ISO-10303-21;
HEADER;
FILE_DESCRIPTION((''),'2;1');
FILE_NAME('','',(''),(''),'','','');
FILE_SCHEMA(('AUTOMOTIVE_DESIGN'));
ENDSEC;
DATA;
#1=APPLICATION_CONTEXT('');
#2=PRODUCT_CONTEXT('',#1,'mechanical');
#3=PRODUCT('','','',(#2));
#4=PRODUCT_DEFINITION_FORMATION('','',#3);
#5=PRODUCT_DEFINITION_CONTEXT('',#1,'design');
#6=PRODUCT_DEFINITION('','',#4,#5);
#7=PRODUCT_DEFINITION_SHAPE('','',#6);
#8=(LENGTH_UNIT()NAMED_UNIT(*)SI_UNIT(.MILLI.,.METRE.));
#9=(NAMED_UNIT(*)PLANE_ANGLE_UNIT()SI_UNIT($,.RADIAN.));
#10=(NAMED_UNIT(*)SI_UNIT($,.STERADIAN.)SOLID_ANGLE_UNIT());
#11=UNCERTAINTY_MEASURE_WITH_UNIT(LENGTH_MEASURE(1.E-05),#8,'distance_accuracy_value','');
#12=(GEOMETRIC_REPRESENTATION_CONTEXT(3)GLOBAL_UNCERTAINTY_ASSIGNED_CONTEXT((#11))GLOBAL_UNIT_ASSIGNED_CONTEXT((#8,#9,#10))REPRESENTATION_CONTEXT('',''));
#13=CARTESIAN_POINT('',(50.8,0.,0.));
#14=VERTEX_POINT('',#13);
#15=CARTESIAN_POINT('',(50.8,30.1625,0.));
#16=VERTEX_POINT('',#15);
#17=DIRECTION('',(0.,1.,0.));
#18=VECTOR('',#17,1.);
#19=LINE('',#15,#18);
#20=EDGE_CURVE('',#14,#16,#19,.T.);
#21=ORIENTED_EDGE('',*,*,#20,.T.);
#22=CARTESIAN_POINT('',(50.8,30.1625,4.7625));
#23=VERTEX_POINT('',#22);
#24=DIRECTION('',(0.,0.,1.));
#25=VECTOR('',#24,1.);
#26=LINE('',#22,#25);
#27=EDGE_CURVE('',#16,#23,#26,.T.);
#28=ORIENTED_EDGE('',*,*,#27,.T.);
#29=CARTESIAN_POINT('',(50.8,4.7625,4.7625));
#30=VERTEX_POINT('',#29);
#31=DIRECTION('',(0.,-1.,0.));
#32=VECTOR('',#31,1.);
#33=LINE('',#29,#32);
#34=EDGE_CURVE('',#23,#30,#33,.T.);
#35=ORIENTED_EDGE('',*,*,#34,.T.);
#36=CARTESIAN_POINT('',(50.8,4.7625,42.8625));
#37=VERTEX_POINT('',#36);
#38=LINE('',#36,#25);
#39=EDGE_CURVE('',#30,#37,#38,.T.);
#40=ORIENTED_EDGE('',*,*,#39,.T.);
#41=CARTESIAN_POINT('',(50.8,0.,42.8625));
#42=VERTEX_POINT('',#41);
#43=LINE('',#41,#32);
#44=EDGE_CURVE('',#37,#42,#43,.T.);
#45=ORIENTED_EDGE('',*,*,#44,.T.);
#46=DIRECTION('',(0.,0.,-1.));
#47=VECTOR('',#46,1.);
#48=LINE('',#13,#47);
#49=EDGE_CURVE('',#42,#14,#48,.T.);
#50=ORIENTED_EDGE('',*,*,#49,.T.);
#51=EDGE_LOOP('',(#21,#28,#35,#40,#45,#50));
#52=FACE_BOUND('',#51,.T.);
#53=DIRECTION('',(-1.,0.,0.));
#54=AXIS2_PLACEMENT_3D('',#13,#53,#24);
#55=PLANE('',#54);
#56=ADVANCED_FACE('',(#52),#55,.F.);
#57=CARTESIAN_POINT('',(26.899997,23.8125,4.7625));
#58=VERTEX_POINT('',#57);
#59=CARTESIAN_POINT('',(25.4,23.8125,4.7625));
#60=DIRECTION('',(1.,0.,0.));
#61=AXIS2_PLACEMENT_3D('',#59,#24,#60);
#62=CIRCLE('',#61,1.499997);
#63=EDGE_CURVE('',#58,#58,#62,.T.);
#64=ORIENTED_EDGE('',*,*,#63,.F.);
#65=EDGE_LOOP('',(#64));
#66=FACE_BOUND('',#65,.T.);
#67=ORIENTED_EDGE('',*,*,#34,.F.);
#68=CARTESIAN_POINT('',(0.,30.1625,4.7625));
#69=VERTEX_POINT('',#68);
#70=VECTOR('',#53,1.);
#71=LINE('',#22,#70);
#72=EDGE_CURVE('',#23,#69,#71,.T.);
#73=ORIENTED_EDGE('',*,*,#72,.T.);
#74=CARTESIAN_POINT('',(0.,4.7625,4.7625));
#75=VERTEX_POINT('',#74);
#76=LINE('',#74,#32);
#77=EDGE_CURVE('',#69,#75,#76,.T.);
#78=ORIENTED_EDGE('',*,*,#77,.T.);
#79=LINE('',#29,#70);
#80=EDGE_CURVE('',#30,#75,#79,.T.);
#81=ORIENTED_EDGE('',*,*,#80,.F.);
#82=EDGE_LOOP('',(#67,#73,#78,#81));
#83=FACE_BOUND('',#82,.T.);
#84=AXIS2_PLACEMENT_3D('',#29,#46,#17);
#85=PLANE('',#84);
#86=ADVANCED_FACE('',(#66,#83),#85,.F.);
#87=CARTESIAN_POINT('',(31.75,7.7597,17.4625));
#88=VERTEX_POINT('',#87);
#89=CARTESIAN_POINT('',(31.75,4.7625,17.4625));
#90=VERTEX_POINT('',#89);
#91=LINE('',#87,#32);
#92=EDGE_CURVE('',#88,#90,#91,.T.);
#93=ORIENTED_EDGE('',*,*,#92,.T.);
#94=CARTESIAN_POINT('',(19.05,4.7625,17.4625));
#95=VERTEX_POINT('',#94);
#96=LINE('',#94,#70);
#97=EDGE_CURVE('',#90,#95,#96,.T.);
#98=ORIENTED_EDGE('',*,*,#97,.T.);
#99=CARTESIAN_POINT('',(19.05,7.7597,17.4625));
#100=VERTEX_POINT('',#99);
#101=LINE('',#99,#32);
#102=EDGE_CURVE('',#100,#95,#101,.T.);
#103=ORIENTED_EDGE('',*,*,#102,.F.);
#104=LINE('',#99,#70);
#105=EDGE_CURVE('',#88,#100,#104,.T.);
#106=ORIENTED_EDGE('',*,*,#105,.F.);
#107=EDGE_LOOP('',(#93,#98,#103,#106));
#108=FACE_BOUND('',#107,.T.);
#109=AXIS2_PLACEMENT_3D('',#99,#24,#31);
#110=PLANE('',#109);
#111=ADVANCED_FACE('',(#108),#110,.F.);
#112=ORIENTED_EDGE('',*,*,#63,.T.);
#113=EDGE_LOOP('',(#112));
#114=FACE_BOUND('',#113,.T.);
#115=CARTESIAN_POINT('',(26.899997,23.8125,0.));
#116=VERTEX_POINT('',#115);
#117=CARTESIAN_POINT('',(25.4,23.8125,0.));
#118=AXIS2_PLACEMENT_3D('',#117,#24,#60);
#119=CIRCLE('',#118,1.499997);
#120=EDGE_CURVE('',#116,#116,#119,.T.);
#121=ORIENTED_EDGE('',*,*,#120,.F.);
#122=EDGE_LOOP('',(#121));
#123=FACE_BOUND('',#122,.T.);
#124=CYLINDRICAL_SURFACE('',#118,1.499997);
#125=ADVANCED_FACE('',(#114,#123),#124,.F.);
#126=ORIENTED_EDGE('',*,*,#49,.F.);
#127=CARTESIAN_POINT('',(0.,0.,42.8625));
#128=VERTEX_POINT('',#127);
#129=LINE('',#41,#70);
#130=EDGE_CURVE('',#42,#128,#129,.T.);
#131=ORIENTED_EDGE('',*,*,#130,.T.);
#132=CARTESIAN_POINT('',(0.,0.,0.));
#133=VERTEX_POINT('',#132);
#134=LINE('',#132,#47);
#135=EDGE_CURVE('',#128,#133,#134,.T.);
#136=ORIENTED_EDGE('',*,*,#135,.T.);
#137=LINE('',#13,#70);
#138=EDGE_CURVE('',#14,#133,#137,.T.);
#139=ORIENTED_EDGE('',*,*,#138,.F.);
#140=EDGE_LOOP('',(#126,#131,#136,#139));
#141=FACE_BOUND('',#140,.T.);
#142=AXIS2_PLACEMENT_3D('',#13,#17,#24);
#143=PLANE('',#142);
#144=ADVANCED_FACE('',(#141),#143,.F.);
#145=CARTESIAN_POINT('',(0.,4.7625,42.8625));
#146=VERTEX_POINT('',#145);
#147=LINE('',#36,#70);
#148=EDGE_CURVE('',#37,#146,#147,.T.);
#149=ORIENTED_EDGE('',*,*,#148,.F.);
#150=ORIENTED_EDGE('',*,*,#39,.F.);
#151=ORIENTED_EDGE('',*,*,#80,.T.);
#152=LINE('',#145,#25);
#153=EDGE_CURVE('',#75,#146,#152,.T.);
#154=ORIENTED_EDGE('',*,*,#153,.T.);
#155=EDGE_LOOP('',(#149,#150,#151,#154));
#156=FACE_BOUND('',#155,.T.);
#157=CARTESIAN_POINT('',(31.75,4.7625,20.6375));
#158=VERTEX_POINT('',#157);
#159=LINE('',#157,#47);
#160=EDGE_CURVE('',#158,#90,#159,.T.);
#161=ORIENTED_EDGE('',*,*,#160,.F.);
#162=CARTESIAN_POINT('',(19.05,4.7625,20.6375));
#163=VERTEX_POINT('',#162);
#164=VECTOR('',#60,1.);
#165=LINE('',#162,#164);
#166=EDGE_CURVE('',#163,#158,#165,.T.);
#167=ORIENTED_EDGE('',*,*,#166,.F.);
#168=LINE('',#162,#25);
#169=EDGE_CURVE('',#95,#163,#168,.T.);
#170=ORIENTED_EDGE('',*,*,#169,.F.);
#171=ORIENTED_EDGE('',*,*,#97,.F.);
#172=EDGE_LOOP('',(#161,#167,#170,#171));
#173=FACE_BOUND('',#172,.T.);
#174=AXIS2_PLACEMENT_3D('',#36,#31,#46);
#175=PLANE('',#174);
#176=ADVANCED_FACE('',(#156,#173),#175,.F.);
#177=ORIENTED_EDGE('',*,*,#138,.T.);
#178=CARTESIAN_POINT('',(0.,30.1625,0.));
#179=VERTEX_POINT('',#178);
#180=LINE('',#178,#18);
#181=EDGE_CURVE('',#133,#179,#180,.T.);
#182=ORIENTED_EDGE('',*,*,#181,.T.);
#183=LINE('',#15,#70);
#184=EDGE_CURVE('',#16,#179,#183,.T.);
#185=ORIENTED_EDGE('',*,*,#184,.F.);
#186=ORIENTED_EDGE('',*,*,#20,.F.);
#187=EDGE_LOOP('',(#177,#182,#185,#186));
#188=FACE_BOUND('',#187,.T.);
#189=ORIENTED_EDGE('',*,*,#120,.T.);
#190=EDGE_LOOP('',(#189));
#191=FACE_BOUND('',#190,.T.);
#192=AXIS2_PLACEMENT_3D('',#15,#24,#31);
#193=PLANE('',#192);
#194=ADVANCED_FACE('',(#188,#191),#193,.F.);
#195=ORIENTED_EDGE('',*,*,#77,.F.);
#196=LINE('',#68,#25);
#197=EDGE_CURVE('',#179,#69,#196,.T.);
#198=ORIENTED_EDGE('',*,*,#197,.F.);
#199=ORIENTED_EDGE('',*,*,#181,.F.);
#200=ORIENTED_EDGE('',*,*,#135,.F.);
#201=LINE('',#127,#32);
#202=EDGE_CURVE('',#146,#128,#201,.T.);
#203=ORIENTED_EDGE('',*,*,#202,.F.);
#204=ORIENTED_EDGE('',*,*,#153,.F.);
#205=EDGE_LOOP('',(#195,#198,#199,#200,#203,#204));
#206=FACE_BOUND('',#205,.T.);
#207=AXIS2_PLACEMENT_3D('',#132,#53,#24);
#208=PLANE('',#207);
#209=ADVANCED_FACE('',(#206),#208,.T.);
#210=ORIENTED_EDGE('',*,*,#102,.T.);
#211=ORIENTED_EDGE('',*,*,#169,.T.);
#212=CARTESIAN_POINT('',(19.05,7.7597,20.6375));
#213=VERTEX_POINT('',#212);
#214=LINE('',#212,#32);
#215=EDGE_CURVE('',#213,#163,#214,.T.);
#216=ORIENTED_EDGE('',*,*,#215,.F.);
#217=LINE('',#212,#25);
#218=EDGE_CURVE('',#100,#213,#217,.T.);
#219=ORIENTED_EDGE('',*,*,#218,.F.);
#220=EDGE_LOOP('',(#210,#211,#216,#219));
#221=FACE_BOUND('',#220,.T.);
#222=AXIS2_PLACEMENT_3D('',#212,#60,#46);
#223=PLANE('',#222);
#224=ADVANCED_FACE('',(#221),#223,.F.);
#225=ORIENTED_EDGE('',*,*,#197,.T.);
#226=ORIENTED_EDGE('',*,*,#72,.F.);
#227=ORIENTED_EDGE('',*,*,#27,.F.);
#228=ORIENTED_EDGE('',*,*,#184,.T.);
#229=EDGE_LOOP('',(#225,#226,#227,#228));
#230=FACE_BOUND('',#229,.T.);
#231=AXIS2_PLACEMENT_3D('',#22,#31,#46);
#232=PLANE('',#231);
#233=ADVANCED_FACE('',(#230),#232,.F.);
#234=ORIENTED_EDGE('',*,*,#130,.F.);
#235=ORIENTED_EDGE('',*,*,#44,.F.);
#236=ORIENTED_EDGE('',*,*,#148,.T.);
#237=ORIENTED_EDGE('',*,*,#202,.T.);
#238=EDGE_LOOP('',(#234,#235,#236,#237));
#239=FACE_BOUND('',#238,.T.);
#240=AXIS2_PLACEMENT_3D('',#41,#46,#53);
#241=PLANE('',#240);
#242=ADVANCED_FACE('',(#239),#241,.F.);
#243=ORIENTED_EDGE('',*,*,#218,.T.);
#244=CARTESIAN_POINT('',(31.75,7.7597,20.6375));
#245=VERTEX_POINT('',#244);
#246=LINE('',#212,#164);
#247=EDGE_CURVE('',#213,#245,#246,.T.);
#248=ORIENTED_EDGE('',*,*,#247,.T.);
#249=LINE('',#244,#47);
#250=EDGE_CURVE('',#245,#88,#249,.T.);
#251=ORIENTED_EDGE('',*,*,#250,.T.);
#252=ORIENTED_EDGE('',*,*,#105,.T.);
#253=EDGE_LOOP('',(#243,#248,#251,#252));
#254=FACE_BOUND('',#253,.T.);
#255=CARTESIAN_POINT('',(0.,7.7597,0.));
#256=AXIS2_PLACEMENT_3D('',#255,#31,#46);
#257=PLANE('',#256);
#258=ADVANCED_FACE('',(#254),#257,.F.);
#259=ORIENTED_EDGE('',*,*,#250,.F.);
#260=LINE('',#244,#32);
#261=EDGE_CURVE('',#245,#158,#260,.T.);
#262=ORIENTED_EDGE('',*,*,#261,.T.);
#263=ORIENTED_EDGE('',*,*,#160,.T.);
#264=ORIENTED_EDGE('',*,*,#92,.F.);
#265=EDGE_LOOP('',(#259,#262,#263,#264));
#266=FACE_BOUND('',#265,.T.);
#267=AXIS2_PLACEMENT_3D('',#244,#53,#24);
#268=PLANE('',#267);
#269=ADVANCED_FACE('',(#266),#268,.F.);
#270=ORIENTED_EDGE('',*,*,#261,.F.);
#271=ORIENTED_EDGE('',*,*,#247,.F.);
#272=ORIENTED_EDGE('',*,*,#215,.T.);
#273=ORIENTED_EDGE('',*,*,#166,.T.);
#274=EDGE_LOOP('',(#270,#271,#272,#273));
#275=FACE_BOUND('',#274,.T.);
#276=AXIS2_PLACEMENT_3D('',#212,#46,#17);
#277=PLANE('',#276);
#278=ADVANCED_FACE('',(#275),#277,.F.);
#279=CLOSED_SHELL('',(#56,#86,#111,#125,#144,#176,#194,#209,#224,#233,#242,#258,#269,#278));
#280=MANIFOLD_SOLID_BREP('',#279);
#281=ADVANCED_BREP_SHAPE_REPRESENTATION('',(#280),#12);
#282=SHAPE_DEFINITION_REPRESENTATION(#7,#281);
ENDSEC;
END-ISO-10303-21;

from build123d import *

# Parameters (mm, degrees)
BOSS_EXTRUDE1_DEPTH = 50.8
SKETCH2_W           = 12.7
SKETCH2_H           = 3.175
BOSS_EXTRUDE2_DEPTH = 2.9972
SKETCH3_R           = 1.499997
CUT_EXTRUDE1_DEPTH  = 71.299547696


with BuildPart() as part:
    # Sketch1 → Boss-Extrude1 (new body)
    with BuildSketch(Plane(origin=(0, 0, 0), x_dir=(0, 0, -1), z_dir=(1, 0, 0))):
        Polygon((0, 0), (-42.8625, 0), (-42.8625, 4.7625), (-4.7625, 4.7625), (-4.7625, 30.1625), (0, 30.1625), align=None)
    extrude(amount=BOSS_EXTRUDE1_DEPTH)

    # Sketch2 → Boss-Extrude2 (add)
    with BuildSketch(Plane(origin=(0, 4.7625, 0), x_dir=(1, 0, 0), z_dir=(0, 1, 0))):
        with Locations((25.4, -19.05)):
            Rectangle(SKETCH2_W, SKETCH2_H)
    extrude(amount=BOSS_EXTRUDE2_DEPTH)

    # Sketch3 → Cut-Extrude1 (cut, through all)
    with BuildSketch(Plane.XY.offset(4.7625)):
        with Locations((25.4, 23.8125)):
            Circle(SKETCH3_R)
    extrude(amount=-CUT_EXTRUDE1_DEPTH, mode=Mode.SUBTRACT)


solid = part.part
